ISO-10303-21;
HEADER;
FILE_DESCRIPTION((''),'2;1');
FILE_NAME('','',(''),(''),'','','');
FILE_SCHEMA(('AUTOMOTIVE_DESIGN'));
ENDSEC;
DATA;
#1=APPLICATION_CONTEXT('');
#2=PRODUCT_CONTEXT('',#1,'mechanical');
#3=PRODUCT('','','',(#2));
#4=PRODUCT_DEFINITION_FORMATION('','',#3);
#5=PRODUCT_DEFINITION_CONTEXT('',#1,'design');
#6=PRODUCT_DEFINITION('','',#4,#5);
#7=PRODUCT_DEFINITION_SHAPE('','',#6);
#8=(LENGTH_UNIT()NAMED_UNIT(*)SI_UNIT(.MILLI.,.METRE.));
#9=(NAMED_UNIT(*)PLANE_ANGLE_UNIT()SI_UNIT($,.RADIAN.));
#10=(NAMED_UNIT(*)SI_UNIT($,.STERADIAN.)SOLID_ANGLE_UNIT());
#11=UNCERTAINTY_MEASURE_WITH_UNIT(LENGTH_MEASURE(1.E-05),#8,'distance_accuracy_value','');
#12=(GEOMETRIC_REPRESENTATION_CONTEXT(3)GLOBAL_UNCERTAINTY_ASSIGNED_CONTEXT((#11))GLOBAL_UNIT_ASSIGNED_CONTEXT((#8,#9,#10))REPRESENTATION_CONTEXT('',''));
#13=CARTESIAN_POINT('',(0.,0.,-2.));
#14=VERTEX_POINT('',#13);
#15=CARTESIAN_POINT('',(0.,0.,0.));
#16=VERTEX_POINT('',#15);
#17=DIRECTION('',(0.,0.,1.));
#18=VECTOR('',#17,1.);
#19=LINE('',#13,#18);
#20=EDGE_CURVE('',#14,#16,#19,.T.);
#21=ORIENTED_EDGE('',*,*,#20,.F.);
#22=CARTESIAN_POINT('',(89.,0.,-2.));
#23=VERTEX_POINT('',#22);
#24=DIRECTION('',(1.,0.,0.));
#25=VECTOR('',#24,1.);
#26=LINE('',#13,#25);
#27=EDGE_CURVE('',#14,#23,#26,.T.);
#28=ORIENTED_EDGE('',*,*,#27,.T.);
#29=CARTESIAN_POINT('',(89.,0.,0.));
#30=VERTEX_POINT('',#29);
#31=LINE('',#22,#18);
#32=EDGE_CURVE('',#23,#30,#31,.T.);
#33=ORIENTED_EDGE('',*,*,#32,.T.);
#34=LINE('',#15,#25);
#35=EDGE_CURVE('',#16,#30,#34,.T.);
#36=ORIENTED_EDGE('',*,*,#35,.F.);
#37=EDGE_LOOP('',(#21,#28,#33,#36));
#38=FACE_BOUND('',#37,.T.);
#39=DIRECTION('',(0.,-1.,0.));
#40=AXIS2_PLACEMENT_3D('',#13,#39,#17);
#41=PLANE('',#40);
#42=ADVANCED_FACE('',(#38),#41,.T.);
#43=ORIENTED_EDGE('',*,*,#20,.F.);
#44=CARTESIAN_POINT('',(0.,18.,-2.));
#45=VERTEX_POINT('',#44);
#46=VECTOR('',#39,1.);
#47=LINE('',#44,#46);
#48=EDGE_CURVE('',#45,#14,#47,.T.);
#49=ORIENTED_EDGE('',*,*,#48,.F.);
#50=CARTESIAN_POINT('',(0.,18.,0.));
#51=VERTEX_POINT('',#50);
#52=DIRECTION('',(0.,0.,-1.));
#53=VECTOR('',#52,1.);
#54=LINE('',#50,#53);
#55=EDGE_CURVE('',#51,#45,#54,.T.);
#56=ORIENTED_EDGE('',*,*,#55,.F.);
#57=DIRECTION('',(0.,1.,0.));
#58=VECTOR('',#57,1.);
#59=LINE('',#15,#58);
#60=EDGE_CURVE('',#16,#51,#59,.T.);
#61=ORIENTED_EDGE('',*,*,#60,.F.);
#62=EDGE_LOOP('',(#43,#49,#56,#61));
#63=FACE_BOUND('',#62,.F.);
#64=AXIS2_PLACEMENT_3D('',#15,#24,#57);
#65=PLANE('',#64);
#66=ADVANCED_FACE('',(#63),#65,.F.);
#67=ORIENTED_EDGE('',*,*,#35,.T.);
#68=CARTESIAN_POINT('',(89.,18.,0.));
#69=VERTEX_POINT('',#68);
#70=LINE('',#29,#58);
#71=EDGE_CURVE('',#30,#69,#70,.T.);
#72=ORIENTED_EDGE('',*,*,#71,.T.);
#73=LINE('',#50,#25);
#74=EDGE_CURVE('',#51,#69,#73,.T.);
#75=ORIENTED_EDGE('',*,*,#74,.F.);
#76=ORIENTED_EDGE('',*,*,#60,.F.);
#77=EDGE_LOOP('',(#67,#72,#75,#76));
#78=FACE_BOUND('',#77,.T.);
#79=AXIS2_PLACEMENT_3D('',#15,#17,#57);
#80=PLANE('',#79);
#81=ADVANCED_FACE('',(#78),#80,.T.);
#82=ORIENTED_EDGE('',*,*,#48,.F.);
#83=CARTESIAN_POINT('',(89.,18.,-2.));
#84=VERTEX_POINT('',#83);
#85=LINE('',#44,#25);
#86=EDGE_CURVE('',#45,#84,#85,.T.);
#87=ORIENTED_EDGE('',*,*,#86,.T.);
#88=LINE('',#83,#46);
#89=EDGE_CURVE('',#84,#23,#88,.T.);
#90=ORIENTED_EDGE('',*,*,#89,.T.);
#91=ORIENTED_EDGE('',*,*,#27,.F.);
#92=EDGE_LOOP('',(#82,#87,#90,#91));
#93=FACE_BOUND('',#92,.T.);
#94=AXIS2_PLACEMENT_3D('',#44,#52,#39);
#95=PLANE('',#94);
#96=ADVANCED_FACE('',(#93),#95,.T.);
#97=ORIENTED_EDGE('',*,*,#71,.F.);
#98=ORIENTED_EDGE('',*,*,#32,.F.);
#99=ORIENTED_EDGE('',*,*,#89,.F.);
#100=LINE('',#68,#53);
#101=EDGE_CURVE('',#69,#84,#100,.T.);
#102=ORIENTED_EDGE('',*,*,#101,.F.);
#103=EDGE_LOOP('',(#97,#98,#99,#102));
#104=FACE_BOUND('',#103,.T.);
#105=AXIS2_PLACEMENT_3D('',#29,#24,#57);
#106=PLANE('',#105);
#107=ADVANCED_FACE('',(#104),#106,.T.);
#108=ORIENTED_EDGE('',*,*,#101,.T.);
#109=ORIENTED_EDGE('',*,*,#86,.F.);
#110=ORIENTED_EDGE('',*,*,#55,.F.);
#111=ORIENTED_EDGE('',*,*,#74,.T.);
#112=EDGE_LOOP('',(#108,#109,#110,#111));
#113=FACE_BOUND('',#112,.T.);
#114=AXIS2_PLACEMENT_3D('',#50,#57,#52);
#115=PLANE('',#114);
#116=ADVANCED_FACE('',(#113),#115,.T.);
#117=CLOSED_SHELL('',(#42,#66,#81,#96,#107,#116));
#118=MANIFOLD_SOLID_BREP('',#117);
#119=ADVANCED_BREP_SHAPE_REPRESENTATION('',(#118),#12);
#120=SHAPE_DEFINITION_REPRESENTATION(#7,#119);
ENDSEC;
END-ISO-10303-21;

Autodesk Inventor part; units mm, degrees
ref_plane "YZ Plane" through (0, 0, 0) normal (1, 0, 0) x (0, 1, 0)
ref_plane "XZ Plane" through (0, 0, 0) normal (0, 1, 0) x (-1, 0, 0)
ref_plane "XY Plane" through (0, 0, 0) normal (0, 0, 1) x (1, 0, 0)
sketch "Sketch1" plane through (0, 0, 0) normal (1, 0, 0) x (0, 1, 0)
  line L0 (0, 0) -> (18, 0)
  line L1 (18, 0) -> (18, -2)
  line L2 (18, -2) -> (0, -2)
  line L3 (0, -2) -> (0, 0)
  dimension "d0" = 18
  dimension "d1" = 2
extrude "Extrusion1" add sketch "Sketch1" along normal blind 89
properties part number "Midsection" material "ABS Plastic"
